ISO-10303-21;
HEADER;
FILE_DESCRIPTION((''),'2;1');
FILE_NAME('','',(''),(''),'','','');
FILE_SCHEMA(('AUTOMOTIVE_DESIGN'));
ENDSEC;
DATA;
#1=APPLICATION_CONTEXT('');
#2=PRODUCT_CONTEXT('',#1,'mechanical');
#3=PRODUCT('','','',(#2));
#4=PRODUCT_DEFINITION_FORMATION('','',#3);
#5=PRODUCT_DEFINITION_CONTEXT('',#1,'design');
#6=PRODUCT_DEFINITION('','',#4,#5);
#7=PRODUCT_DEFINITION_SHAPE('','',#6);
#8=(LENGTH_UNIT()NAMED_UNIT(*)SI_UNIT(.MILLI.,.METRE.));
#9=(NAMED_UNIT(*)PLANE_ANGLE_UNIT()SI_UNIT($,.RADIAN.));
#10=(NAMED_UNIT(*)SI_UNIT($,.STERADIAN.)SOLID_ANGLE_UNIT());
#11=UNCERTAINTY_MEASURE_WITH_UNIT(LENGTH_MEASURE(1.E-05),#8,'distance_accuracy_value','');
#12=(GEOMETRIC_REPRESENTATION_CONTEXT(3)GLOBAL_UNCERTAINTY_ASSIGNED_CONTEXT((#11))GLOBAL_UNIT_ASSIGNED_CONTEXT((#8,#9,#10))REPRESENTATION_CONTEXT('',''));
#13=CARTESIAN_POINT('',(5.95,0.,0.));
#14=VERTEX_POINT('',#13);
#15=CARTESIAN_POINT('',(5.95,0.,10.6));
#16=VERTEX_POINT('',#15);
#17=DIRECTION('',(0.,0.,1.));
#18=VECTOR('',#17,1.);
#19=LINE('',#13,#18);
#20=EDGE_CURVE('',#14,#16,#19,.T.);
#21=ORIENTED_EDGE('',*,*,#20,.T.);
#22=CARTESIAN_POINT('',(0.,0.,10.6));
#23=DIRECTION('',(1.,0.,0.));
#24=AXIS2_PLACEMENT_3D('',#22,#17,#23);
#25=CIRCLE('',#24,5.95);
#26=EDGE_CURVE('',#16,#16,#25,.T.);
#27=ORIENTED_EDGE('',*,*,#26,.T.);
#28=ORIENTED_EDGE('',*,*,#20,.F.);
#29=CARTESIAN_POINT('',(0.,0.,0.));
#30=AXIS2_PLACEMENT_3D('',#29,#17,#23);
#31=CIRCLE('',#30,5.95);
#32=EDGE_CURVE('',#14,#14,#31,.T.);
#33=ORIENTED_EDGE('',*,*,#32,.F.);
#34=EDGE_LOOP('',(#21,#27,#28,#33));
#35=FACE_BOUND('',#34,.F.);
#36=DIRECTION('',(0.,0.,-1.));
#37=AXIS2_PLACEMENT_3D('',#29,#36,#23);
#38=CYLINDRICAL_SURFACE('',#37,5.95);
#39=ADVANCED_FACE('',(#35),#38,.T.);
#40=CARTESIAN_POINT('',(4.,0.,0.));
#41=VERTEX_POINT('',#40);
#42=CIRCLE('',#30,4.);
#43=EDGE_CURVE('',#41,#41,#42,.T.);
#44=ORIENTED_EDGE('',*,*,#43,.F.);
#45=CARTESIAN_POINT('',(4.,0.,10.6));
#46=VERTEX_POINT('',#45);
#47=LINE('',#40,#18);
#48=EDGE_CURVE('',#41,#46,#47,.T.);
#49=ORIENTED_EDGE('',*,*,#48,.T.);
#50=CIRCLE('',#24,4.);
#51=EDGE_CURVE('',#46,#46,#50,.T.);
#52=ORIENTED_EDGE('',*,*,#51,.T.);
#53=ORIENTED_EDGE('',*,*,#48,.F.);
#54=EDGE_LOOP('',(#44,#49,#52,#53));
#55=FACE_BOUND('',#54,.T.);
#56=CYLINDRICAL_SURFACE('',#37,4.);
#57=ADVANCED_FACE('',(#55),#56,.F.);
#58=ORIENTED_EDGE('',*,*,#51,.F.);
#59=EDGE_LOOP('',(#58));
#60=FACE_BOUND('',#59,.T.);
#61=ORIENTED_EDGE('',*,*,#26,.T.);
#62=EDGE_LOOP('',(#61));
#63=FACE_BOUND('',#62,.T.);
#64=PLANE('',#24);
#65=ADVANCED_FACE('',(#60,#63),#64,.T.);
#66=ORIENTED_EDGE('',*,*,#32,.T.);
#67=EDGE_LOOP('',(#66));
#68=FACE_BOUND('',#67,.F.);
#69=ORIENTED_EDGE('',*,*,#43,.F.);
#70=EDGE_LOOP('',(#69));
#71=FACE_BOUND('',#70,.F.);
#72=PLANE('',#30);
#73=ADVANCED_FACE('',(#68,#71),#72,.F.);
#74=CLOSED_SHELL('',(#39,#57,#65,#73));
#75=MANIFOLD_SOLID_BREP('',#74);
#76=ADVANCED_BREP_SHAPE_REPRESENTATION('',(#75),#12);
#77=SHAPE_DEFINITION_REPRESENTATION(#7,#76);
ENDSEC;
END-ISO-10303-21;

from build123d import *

# Parameters (mm, degrees)
SKETCH_R   = 5.95
SKETCH_R_2 = 4
PAD_DEPTH  = 10.6


with BuildPart() as part:
    # Sketch → Pad (new body)
    with BuildSketch(Plane.XY):
        Circle(SKETCH_R)
        Circle(SKETCH_R_2, mode=Mode.SUBTRACT)
    extrude(amount=PAD_DEPTH)


solid = part.part
